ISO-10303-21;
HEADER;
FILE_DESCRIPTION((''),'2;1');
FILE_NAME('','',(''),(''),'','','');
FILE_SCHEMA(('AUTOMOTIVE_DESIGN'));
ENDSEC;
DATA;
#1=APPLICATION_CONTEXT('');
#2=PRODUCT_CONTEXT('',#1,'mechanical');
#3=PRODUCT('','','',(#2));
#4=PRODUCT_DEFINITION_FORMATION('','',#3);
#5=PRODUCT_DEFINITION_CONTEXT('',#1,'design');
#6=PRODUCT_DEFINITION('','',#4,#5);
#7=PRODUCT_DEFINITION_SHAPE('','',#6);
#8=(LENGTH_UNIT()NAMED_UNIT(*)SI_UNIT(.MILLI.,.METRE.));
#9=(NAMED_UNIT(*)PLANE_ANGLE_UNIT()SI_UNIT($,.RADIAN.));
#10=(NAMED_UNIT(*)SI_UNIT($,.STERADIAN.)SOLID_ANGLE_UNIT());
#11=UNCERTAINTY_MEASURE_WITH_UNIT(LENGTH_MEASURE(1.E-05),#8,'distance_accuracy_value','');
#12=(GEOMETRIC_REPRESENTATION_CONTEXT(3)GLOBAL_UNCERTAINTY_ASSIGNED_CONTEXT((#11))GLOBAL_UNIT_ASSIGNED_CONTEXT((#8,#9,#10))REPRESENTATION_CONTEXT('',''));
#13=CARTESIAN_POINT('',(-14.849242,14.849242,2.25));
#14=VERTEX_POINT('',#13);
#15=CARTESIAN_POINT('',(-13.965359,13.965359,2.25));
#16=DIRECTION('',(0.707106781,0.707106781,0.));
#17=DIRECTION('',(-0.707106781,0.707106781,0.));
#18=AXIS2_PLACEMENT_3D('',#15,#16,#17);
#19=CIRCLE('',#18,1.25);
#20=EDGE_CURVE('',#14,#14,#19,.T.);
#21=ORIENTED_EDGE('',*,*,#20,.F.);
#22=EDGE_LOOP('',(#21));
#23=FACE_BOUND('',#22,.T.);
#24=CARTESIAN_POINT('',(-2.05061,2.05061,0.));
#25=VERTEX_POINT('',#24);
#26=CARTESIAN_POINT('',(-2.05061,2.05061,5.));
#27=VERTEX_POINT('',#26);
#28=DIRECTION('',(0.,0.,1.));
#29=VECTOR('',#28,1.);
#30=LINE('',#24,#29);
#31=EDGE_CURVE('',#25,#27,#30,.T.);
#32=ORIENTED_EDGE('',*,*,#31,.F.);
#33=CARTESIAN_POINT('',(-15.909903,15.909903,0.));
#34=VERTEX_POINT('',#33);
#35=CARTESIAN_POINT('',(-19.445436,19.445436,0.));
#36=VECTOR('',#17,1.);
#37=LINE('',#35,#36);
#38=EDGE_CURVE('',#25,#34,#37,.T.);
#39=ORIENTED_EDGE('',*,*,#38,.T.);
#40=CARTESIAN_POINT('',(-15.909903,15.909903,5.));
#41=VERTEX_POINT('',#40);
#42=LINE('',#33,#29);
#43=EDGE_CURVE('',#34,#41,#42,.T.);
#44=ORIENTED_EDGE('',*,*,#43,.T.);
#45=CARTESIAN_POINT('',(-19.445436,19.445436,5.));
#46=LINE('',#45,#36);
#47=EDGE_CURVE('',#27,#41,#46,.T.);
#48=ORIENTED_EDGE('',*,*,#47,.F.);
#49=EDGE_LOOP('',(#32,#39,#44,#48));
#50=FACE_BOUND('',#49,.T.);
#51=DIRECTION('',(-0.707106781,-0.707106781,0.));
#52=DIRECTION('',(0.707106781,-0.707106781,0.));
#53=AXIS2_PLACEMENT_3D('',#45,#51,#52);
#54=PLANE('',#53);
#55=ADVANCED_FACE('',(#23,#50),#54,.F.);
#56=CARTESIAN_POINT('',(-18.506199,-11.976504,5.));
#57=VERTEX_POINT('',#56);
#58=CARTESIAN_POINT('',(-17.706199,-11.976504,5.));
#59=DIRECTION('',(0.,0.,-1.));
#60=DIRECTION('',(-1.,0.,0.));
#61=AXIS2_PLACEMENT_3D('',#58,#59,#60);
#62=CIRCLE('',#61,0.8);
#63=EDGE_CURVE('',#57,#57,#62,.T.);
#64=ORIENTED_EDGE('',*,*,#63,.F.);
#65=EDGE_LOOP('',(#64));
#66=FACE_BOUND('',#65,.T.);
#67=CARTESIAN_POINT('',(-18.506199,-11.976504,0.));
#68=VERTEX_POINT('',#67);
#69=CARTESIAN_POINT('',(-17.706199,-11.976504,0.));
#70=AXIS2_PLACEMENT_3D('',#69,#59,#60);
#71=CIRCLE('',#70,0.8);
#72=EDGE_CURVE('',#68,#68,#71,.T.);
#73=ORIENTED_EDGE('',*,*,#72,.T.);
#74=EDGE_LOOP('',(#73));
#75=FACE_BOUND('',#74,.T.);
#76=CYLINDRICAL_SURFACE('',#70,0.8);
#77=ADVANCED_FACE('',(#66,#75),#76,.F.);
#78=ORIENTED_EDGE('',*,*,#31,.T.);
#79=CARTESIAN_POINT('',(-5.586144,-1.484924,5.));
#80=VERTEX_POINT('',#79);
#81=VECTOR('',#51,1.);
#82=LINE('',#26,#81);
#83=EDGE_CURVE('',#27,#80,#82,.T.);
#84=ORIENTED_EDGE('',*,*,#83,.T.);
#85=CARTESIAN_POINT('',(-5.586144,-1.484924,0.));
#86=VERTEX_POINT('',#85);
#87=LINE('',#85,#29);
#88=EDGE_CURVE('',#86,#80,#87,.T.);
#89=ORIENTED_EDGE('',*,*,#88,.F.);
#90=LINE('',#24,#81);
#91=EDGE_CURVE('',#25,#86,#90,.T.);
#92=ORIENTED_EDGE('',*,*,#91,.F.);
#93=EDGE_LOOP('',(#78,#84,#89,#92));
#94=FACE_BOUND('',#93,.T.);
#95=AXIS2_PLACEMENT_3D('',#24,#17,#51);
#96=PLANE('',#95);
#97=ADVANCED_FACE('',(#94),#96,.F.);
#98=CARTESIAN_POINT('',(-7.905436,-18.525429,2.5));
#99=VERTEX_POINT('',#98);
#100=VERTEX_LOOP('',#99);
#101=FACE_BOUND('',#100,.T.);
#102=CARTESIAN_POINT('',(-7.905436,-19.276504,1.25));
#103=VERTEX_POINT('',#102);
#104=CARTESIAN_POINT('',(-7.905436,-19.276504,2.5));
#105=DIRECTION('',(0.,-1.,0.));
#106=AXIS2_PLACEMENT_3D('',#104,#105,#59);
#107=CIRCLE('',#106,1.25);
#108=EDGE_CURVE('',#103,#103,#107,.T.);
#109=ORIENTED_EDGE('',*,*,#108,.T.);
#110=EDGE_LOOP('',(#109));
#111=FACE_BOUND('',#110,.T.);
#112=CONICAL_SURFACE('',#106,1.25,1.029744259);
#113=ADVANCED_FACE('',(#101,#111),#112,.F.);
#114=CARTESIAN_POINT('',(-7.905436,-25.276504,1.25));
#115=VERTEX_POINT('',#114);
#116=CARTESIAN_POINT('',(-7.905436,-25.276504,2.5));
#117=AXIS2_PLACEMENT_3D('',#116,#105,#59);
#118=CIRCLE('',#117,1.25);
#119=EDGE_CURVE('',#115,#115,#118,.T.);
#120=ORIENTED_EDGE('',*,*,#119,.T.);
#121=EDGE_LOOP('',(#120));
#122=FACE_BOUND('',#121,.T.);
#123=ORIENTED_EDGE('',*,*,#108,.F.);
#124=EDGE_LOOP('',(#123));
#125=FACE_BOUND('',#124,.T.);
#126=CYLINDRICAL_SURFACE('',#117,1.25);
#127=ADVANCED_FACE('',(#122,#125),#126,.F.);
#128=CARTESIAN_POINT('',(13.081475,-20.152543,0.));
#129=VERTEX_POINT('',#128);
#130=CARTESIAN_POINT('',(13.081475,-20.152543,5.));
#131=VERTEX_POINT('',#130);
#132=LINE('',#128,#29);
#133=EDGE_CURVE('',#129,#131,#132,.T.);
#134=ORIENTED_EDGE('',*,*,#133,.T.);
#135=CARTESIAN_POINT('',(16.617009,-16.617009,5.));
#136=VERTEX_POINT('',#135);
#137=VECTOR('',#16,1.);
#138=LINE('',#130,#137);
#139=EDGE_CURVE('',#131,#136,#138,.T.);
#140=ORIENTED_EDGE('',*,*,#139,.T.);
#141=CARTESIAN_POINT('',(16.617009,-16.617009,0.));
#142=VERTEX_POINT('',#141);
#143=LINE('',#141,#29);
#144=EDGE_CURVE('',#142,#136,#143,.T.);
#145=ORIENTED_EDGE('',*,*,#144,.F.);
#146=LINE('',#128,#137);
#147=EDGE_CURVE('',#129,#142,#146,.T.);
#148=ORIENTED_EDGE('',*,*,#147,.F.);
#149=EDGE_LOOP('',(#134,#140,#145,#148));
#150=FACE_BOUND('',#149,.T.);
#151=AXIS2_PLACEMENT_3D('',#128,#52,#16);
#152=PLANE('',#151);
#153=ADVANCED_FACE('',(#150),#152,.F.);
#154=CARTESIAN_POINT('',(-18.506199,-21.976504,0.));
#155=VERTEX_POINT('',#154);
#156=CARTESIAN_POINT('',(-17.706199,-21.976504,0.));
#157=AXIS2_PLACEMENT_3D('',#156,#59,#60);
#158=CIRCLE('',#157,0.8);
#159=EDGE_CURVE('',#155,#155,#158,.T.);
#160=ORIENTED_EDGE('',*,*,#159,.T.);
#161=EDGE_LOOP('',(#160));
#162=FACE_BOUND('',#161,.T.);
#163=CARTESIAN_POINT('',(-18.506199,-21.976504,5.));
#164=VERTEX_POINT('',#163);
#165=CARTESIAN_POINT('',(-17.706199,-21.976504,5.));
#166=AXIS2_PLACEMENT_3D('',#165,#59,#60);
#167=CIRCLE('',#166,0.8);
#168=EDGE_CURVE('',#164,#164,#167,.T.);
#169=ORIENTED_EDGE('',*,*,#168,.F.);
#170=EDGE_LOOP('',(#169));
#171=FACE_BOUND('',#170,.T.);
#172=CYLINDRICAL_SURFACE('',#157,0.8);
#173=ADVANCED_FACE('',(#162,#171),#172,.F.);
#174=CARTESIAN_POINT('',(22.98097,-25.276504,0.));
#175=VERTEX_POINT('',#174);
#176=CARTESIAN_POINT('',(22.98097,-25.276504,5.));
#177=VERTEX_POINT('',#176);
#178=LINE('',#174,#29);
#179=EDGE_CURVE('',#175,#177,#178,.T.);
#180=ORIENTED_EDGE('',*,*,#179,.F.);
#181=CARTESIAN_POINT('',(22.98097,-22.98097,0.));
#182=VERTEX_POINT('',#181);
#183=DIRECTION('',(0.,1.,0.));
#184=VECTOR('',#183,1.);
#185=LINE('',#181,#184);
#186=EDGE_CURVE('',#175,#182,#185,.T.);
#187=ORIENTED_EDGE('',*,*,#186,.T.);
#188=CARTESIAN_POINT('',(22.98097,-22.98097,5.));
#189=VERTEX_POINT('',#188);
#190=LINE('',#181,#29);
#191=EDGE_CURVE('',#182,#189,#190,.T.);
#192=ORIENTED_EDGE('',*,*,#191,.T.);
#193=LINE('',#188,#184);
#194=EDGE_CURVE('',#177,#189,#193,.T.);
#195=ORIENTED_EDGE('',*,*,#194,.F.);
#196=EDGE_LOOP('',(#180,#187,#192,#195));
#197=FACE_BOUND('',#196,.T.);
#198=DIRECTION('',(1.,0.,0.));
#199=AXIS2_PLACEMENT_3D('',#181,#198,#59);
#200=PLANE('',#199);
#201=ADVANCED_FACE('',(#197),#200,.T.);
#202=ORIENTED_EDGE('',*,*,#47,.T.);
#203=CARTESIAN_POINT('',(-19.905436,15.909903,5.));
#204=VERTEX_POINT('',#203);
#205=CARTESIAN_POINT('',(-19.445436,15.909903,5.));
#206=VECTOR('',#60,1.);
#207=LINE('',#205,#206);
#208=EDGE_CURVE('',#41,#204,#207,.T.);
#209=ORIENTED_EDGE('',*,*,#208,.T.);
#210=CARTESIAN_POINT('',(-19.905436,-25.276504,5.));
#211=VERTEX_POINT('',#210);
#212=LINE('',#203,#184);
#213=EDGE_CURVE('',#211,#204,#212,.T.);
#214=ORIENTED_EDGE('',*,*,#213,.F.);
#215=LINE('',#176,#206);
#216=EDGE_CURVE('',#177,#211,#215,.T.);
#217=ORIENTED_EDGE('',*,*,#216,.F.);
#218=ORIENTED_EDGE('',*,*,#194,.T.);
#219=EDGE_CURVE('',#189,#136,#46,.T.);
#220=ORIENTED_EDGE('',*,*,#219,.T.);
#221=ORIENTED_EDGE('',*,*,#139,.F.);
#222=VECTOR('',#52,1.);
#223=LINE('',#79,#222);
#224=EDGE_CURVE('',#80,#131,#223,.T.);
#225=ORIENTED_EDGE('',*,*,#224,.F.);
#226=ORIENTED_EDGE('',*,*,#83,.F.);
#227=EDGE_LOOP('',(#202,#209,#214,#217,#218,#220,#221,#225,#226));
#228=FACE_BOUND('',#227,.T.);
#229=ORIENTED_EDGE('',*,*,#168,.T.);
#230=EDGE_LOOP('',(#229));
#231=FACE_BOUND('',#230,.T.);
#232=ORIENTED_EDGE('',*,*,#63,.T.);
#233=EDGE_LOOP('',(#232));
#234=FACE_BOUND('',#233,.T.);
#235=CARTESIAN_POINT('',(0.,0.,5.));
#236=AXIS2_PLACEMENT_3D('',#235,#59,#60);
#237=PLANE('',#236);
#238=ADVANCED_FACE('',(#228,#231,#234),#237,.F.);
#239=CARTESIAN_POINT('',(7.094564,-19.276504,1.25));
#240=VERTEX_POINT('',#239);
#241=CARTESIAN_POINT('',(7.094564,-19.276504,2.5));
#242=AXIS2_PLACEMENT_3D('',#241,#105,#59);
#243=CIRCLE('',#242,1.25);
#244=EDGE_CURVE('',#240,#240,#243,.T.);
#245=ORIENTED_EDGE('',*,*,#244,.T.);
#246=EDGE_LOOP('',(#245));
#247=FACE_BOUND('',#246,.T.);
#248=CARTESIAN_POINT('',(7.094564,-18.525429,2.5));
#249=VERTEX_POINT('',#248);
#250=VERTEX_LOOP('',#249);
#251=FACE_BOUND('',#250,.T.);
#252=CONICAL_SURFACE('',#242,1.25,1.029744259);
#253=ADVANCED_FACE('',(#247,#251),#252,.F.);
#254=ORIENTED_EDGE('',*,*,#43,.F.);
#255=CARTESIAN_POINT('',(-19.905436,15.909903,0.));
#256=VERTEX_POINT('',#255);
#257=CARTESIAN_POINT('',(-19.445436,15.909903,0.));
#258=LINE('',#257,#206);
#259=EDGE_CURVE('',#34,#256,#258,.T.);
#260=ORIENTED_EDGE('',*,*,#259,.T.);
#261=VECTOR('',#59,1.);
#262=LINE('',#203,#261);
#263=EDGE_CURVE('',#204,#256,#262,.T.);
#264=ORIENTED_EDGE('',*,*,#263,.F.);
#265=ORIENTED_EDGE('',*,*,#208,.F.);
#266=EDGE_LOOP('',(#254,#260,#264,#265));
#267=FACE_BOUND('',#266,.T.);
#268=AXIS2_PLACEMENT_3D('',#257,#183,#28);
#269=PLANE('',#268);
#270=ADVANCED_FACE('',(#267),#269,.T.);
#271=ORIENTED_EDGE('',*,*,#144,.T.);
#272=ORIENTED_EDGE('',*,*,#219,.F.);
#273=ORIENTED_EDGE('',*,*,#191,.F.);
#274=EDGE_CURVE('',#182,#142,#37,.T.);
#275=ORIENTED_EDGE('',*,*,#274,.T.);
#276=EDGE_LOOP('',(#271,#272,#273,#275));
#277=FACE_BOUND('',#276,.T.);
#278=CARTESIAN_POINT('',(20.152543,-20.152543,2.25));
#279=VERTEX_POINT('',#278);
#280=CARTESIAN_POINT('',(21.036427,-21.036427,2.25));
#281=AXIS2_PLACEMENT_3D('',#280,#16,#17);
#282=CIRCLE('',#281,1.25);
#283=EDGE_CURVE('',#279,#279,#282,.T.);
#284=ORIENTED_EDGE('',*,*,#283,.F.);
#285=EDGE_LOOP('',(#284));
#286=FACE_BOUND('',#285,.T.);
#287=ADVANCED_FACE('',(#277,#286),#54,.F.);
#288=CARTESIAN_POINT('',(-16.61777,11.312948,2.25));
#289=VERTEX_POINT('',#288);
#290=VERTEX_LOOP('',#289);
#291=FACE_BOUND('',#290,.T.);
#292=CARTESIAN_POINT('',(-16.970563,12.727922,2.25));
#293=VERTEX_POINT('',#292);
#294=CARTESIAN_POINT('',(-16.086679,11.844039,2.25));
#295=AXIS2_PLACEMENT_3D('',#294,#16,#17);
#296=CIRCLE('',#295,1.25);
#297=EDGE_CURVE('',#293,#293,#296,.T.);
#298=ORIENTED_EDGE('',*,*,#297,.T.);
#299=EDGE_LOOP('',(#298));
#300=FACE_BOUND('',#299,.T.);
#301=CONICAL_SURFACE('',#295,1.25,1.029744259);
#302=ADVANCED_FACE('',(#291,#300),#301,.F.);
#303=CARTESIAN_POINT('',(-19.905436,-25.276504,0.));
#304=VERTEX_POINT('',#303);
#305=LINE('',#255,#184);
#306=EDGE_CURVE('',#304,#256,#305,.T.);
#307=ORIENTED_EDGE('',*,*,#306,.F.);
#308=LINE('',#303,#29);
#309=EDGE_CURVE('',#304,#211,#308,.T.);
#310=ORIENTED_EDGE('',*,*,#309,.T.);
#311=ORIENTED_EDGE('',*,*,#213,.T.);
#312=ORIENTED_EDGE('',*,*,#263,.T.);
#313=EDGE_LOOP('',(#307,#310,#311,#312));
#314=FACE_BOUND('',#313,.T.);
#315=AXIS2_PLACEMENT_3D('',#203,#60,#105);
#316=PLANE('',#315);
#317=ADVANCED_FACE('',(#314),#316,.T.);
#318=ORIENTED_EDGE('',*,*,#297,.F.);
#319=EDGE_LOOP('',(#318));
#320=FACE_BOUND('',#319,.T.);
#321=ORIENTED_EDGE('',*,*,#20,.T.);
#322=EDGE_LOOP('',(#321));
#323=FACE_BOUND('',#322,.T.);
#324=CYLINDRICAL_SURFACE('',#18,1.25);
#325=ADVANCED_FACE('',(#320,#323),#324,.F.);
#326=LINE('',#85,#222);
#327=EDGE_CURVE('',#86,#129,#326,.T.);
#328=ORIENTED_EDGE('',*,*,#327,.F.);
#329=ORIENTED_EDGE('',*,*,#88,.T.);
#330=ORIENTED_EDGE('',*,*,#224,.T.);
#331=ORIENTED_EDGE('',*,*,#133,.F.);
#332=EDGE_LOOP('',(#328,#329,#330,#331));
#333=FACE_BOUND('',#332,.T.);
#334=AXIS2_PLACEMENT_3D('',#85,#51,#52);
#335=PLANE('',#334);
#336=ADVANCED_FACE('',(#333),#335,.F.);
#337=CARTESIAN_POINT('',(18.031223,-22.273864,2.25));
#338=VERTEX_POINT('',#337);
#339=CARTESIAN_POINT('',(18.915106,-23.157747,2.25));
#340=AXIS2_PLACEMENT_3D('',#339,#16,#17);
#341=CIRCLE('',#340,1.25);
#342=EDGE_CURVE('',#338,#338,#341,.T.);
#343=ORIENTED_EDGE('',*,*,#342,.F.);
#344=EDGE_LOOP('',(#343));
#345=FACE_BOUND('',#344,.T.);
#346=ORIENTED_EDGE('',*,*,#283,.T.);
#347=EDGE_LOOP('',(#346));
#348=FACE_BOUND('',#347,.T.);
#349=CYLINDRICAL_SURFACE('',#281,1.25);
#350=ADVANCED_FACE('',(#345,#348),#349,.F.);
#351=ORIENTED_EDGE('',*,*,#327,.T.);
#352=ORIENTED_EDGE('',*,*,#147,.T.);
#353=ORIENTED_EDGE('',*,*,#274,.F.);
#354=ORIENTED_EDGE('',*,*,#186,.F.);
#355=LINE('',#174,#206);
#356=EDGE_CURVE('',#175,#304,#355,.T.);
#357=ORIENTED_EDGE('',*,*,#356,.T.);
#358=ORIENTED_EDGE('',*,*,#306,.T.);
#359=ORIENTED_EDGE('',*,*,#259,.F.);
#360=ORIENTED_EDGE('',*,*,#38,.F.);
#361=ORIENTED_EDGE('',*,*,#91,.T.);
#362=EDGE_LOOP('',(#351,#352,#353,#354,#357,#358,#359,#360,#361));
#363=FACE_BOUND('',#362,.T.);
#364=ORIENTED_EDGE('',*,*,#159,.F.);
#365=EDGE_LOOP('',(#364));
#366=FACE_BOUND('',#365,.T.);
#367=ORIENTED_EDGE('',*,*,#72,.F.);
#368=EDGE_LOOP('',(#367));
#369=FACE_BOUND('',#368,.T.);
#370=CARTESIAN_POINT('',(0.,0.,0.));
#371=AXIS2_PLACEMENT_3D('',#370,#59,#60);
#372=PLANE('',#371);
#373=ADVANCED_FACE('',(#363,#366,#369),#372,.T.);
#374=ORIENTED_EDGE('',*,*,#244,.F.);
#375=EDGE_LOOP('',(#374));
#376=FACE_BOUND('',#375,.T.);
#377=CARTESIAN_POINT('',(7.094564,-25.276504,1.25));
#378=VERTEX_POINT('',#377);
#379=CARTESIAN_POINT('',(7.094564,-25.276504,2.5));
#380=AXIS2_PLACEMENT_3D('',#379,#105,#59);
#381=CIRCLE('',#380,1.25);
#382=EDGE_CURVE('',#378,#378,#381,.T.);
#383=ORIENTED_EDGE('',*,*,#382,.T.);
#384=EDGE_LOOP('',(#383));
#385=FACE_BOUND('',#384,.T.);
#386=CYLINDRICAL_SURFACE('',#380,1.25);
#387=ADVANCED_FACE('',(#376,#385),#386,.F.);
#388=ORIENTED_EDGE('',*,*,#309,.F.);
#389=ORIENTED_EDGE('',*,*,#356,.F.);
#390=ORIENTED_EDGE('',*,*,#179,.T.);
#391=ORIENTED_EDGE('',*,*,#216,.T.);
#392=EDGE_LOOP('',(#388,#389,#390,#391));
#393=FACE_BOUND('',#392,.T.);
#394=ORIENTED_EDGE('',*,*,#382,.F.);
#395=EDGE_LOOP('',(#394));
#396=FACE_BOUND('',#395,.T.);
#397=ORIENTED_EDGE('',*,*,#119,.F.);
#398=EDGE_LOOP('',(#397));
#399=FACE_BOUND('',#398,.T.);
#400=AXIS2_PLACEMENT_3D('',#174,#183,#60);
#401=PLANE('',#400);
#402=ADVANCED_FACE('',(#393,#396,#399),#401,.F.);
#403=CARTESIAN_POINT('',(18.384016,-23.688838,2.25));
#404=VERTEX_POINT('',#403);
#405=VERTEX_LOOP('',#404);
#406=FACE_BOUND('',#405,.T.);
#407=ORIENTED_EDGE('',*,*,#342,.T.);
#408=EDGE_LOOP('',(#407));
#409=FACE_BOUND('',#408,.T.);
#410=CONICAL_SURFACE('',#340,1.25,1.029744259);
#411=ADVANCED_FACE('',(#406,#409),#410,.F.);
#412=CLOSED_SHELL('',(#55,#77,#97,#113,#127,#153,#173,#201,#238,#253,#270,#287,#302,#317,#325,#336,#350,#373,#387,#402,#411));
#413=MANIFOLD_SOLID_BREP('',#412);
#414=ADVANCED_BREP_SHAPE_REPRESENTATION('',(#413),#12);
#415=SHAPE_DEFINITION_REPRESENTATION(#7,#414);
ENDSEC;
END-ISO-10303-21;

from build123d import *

# Parameters (mm, degrees)
BOSS_EXTRUDE1_DEPTH       = 5
M3X0_5_TAPPED_HOLE1_D     = 2.5
M3X0_5_TAPPED_HOLE1_DEPTH = 3
M3X0_5_TAPPED_HOLE1_TIP   = 0.751075774
BOSS_EXTRUDE2_DEPTH       = 5
CUT_EXTRUDE1_DEPTH        = 6
CUT_EXTRUDE2_DEPTH        = 6
BOSS_EXTRUDE3_DEPTH       = 5
BOSS_EXTRUDE4_DEPTH       = 5
SKETCH15_W                = 42.426406872
SKETCH15_H                = 0.46
BOSS_EXTRUDE6_DEPTH       = 5
SKETCH16_W                = 0.46
SKETCH16_H                = 42.886406871
BOSS_EXTRUDE7_DEPTH       = 5
M2X0_4_TAPPED_HOLE1_D     = 1.6
M2X0_4_TAPPED_HOLE1_DEPTH = 6
M2X0_4_TAPPED_HOLE1_TIP   = 0.480688495
SKETCH21_W                = 42.886406872
SKETCH21_H                = 1.7
CUT_EXTRUDE3_DEPTH        = 6
M3X0_5_TAPPED_HOLE3_D     = 2.5
M3X0_5_TAPPED_HOLE3_DEPTH = 6
M3X0_5_TAPPED_HOLE3_TIP   = 0.751075774


with BuildPart() as part:
    # Sketch2 → Boss-Extrude1 (new body)
    with BuildSketch(Plane.XY):
        Polygon((-19.445436483, 19.445436483), (26.516504294, -26.516504294), (-19.445436483, -26.516504294), align=None)
    extrude(amount=BOSS_EXTRUDE1_DEPTH)

    # M3x0.5 Tapped Hole1
    with Locations(Plane(origin=(0, 0, 0), x_dir=(0, 0, -1), z_dir=(0.707106781, 0.707106781, 0))):
        with Locations((-2.25, 19.75), (-2.25, -29.75)):
            Hole(M3X0_5_TAPPED_HOLE1_D / 2, depth=M3X0_5_TAPPED_HOLE1_DEPTH)
            with Locations((0, 0, -(M3X0_5_TAPPED_HOLE1_DEPTH + M3X0_5_TAPPED_HOLE1_TIP / 2))):  # 118° drill point
                Cone(0, M3X0_5_TAPPED_HOLE1_D / 2, M3X0_5_TAPPED_HOLE1_TIP, mode=Mode.SUBTRACT)

    # Sketch6 → Boss-Extrude2 (add, through all)
    with BuildSketch(Plane.XY.offset(5)):
        Polygon((-19.445436483, 19.445436483), (-15.909902577, 15.909902577), (-14.495689014, 17.324116139), (-18.03122292, 20.859650045), align=None)
        Polygon((26.516504294, -26.516504294), (22.980970389, -22.980970389), (24.395183951, -21.566756826), (27.930717857, -25.102290732), align=None)
    extrude(amount=-BOSS_EXTRUDE2_DEPTH)

    # Sketch7 → Cut-Extrude1 (cut, through all)
    with BuildSketch(Plane.XY.offset(5)):
        Polygon((-2.050609665, 2.050609665), (-5.586143571, -1.48492424), (13.081475452, -20.152543264), (16.617009358, -16.617009358), align=None)
    extrude(amount=-CUT_EXTRUDE1_DEPTH, mode=Mode.SUBTRACT)

    # Sketch9 → Cut-Extrude2 (cut, through all)
    with BuildSketch(Plane.XY.offset(5)):
        Polygon((-15.909902577, 15.909902577), (-19.445436483, 12.374368671), (-19.445436483, 19.445436483), (-18.03122292, 20.859650045), (-14.495689014, 17.324116139), align=None)
        Polygon((27.930717857, -25.102290732), (24.395183951, -21.566756826), (19.445436483, -26.516504294), (26.516504294, -26.516504294), align=None)
    extrude(amount=-CUT_EXTRUDE2_DEPTH, mode=Mode.SUBTRACT)

    # Sketch13 → Boss-Extrude3 (add, through all)
    with BuildSketch(Plane.XY.offset(5)):
        Polygon((22.980970389, -22.980970389), (19.445436483, -26.516504294), (22.980970389, -26.516504294), align=None)
    extrude(amount=-BOSS_EXTRUDE3_DEPTH)

    # Sketch14 → Boss-Extrude4 (add, through all)
    with BuildSketch(Plane.XY.offset(5)):
        Polygon((-19.445436483, 12.374368671), (-19.445436483, 15.909902577), (-15.909902577, 15.909902577), align=None)
    extrude(amount=-BOSS_EXTRUDE4_DEPTH)

    # Sketch15 → Boss-Extrude6 (add, through all)
    with BuildSketch(Plane(origin=(0, 0, 0), x_dir=(-1, 0, 0), z_dir=(0, 0, -1))):
        with Locations((-1.767766953, -26.746504294)):
            Rectangle(SKETCH15_W, SKETCH15_H)
    extrude(amount=-BOSS_EXTRUDE6_DEPTH)

    # Sketch16 → Boss-Extrude7 (add, through all)
    with BuildSketch(Plane(origin=(0, 0, 0), x_dir=(-1, 0, 0), z_dir=(0, 0, -1))):
        with Locations((19.675436483, -5.533300859)):
            Rectangle(SKETCH16_W, SKETCH16_H)
    extrude(amount=-BOSS_EXTRUDE7_DEPTH)

    # M2x0.4 Tapped Hole1
    with Locations(Plane(origin=(0, 0, 0), x_dir=(-1, 0, 0), z_dir=(0, 0, -1))):
        with Locations((17.70619852, -11.976504294), (17.70619852, -21.976504294)):
            Hole(M2X0_4_TAPPED_HOLE1_D / 2, depth=M2X0_4_TAPPED_HOLE1_DEPTH)
            with Locations((0, 0, -(M2X0_4_TAPPED_HOLE1_DEPTH + M2X0_4_TAPPED_HOLE1_TIP / 2))):  # 118° drill point
                Cone(0, M2X0_4_TAPPED_HOLE1_D / 2, M2X0_4_TAPPED_HOLE1_TIP, mode=Mode.SUBTRACT)

    # Sketch21 → Cut-Extrude3 (cut, through all)
    with BuildSketch(Plane.XY.offset(5)):
        with Locations((1.537766953, -26.126504294)):
            Rectangle(SKETCH21_W, SKETCH21_H)
    extrude(amount=-CUT_EXTRUDE3_DEPTH, mode=Mode.SUBTRACT)

    # M3x0.5 Tapped Hole3
    with Locations(Plane(origin=(0, -25.276504294, 0), x_dir=(-1, 0, 0), z_dir=(0, -1, 0))):
        with Locations((7.905436483, -2.5), (-7.094563517, -2.5)):
            Hole(M3X0_5_TAPPED_HOLE3_D / 2, depth=M3X0_5_TAPPED_HOLE3_DEPTH)
            with Locations((0, 0, -(M3X0_5_TAPPED_HOLE3_DEPTH + M3X0_5_TAPPED_HOLE3_TIP / 2))):  # 118° drill point
                Cone(0, M3X0_5_TAPPED_HOLE3_D / 2, M3X0_5_TAPPED_HOLE3_TIP, mode=Mode.SUBTRACT)


solid = part.part
